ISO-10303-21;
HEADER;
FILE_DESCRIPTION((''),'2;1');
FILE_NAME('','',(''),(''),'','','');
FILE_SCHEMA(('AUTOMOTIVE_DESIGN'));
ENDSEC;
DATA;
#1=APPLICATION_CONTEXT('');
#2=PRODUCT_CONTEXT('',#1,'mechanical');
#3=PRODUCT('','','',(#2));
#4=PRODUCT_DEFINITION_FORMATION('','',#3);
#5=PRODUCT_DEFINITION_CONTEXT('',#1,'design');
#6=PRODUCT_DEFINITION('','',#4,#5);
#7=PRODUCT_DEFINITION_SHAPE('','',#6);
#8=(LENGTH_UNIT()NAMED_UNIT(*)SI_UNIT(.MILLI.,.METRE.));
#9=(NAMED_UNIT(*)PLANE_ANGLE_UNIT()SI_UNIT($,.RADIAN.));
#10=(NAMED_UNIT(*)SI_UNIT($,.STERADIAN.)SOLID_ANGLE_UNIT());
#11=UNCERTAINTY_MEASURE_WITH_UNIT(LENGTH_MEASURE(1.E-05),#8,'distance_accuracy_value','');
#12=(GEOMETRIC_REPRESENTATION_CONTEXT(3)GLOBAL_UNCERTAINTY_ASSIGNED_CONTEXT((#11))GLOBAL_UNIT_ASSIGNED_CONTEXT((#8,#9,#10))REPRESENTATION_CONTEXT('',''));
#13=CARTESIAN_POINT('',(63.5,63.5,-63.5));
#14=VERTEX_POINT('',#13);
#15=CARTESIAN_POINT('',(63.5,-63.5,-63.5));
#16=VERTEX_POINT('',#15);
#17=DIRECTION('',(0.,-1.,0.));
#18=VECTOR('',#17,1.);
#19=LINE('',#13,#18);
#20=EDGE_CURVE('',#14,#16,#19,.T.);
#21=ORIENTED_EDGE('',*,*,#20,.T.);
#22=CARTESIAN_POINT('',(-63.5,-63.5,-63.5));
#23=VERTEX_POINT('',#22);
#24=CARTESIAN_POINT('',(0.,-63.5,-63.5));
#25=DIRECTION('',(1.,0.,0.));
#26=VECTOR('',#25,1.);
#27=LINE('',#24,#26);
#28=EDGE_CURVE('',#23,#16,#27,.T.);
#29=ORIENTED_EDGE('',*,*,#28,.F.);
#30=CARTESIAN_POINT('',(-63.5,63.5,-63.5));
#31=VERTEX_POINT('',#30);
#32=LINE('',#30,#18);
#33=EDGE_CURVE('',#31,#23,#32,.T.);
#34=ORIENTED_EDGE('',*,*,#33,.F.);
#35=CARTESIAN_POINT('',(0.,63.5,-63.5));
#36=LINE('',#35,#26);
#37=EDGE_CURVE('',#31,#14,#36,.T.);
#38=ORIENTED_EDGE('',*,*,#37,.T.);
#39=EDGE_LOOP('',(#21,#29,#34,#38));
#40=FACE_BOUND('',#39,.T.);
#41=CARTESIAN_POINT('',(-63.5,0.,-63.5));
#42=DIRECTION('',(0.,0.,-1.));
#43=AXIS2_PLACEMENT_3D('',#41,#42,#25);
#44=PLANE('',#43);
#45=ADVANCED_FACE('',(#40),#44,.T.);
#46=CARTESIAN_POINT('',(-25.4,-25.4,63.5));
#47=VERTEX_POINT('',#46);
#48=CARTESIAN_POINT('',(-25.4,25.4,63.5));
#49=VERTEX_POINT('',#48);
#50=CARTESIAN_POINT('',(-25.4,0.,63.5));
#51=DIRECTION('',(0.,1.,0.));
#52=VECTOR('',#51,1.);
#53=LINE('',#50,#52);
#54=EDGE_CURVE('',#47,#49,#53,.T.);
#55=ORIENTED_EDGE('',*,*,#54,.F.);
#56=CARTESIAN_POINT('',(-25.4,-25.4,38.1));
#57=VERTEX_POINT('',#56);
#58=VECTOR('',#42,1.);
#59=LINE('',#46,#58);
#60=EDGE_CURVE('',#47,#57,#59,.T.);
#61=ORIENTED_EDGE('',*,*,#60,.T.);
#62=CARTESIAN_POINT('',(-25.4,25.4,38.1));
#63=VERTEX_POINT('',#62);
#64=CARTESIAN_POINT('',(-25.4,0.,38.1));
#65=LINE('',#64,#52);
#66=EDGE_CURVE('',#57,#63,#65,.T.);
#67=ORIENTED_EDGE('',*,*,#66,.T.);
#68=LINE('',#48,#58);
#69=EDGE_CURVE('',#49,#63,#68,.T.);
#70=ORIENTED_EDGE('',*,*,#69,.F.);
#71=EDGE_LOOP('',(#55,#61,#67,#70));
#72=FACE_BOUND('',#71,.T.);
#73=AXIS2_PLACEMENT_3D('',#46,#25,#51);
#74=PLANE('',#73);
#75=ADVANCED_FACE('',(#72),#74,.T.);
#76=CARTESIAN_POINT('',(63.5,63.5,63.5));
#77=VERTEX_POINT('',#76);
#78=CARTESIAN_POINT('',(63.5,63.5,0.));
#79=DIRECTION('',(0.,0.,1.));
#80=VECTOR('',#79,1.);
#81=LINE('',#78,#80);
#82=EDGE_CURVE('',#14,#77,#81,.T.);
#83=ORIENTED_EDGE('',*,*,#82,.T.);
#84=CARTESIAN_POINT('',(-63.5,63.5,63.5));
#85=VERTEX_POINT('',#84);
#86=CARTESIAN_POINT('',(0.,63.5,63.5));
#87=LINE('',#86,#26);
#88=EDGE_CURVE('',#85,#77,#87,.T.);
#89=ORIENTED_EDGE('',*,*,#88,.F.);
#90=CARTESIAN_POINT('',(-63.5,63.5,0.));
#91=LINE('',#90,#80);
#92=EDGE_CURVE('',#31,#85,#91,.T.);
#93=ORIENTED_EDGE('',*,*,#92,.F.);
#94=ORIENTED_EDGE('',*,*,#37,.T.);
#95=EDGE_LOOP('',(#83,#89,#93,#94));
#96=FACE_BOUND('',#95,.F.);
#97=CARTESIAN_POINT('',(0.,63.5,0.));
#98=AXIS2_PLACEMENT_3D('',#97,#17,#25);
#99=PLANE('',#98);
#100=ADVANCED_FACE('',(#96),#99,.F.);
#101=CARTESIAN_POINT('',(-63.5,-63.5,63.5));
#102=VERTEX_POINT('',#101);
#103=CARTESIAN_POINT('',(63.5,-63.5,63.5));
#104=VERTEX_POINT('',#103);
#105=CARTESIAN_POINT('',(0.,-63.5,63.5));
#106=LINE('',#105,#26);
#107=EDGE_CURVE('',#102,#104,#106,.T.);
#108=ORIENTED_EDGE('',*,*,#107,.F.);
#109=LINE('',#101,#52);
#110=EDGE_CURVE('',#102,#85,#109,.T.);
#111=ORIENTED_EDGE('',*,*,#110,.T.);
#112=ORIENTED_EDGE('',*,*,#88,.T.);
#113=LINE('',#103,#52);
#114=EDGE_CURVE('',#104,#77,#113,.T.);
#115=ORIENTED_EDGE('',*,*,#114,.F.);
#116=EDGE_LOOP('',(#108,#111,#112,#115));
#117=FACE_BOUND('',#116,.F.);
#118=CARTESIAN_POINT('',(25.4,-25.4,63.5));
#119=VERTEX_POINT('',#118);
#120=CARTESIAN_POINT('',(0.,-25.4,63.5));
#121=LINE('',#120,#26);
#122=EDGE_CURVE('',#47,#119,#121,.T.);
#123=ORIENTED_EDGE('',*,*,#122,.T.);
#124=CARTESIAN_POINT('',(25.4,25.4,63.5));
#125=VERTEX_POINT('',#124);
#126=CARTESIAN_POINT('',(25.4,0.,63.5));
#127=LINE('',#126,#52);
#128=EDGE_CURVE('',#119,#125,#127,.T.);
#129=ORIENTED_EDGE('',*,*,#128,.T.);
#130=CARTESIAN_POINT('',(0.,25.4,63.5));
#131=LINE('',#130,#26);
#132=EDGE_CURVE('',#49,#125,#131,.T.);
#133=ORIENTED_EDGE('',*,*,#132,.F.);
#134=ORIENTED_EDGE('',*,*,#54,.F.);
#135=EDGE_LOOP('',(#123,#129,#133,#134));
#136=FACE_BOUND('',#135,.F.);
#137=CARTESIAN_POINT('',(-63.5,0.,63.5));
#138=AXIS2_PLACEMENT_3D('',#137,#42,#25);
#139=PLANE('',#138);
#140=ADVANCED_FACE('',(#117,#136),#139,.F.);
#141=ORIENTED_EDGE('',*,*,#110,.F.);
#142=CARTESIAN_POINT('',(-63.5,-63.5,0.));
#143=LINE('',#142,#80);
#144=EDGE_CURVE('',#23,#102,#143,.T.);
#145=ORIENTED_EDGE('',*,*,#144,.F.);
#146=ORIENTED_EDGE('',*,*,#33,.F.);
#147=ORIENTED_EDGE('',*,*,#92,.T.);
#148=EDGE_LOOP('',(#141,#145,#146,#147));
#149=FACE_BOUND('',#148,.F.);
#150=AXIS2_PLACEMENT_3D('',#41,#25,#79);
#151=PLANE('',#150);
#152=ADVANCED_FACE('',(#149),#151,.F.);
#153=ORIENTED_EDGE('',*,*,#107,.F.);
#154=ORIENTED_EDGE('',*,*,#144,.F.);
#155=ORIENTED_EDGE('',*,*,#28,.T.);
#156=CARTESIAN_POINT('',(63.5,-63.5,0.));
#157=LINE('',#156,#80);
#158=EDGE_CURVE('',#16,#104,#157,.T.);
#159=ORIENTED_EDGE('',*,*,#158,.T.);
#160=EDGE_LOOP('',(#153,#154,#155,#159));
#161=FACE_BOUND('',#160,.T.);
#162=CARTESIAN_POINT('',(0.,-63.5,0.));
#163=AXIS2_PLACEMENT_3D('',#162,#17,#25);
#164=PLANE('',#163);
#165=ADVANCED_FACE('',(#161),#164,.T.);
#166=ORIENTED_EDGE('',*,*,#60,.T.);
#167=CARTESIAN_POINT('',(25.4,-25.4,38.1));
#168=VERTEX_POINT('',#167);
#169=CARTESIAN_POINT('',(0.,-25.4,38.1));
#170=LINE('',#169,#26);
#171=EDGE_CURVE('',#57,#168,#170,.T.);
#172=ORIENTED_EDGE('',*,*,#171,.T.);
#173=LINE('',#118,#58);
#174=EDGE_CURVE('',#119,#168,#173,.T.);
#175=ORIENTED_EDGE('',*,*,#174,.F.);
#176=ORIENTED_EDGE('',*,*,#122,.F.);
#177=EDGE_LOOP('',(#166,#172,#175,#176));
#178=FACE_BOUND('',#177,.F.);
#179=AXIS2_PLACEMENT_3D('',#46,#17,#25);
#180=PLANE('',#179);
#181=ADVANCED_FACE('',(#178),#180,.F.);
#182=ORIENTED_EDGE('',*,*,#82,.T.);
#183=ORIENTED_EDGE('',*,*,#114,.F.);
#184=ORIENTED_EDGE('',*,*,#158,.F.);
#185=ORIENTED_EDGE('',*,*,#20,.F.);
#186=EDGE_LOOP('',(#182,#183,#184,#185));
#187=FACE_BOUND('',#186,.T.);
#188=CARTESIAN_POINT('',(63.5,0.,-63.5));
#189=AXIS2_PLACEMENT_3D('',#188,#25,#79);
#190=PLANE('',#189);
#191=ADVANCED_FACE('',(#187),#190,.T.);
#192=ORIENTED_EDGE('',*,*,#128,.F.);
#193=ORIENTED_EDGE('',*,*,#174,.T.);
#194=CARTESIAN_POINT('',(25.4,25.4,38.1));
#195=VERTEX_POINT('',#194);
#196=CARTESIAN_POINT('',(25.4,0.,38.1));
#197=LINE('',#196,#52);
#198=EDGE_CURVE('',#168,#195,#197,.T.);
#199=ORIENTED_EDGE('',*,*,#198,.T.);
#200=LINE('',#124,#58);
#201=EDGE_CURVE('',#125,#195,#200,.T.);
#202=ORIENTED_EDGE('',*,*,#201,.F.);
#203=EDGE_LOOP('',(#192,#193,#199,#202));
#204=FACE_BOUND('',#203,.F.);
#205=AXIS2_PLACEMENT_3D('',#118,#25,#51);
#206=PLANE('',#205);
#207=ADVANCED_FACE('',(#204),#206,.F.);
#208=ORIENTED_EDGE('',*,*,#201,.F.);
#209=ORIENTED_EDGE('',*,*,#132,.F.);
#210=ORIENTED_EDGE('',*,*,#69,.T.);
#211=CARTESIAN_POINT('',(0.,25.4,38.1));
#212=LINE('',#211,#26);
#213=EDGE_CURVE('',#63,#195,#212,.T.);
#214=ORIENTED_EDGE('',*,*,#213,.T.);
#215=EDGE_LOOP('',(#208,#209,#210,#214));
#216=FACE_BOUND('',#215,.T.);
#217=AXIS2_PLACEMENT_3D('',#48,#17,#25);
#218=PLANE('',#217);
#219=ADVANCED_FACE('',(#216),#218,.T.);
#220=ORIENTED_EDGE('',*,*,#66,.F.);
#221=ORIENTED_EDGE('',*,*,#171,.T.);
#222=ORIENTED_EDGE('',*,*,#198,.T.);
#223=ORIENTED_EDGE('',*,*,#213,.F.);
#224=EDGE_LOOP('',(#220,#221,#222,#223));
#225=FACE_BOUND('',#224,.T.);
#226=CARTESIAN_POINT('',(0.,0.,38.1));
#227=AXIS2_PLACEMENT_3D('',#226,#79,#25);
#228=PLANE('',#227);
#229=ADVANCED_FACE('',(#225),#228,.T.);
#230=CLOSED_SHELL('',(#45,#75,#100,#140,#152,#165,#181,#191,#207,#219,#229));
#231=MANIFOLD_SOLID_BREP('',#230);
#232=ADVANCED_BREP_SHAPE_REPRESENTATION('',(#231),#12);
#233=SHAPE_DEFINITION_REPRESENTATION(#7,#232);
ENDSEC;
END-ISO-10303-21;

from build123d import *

# Parameters (mm, degrees)
F0_W     = 127
F0_H     = 127
F1_DEPTH = 63.5
F2_W     = 50.8
F2_H     = 50.8
F3_DEPTH = 25.4


with BuildPart() as f1:
    # F0 (on Front) → F1 (new body, symmetric)
    with BuildSketch(Plane.XZ):
        Rectangle(F0_W, F0_H)
    extrude(amount=F1_DEPTH, both=True)

    # F2 (on face) → F3 (cut)
    with BuildSketch(Plane.XY.offset(63.5)):
        Rectangle(F2_W, F2_H)
    extrude(amount=-F3_DEPTH, mode=Mode.SUBTRACT)


solid = f1.part
